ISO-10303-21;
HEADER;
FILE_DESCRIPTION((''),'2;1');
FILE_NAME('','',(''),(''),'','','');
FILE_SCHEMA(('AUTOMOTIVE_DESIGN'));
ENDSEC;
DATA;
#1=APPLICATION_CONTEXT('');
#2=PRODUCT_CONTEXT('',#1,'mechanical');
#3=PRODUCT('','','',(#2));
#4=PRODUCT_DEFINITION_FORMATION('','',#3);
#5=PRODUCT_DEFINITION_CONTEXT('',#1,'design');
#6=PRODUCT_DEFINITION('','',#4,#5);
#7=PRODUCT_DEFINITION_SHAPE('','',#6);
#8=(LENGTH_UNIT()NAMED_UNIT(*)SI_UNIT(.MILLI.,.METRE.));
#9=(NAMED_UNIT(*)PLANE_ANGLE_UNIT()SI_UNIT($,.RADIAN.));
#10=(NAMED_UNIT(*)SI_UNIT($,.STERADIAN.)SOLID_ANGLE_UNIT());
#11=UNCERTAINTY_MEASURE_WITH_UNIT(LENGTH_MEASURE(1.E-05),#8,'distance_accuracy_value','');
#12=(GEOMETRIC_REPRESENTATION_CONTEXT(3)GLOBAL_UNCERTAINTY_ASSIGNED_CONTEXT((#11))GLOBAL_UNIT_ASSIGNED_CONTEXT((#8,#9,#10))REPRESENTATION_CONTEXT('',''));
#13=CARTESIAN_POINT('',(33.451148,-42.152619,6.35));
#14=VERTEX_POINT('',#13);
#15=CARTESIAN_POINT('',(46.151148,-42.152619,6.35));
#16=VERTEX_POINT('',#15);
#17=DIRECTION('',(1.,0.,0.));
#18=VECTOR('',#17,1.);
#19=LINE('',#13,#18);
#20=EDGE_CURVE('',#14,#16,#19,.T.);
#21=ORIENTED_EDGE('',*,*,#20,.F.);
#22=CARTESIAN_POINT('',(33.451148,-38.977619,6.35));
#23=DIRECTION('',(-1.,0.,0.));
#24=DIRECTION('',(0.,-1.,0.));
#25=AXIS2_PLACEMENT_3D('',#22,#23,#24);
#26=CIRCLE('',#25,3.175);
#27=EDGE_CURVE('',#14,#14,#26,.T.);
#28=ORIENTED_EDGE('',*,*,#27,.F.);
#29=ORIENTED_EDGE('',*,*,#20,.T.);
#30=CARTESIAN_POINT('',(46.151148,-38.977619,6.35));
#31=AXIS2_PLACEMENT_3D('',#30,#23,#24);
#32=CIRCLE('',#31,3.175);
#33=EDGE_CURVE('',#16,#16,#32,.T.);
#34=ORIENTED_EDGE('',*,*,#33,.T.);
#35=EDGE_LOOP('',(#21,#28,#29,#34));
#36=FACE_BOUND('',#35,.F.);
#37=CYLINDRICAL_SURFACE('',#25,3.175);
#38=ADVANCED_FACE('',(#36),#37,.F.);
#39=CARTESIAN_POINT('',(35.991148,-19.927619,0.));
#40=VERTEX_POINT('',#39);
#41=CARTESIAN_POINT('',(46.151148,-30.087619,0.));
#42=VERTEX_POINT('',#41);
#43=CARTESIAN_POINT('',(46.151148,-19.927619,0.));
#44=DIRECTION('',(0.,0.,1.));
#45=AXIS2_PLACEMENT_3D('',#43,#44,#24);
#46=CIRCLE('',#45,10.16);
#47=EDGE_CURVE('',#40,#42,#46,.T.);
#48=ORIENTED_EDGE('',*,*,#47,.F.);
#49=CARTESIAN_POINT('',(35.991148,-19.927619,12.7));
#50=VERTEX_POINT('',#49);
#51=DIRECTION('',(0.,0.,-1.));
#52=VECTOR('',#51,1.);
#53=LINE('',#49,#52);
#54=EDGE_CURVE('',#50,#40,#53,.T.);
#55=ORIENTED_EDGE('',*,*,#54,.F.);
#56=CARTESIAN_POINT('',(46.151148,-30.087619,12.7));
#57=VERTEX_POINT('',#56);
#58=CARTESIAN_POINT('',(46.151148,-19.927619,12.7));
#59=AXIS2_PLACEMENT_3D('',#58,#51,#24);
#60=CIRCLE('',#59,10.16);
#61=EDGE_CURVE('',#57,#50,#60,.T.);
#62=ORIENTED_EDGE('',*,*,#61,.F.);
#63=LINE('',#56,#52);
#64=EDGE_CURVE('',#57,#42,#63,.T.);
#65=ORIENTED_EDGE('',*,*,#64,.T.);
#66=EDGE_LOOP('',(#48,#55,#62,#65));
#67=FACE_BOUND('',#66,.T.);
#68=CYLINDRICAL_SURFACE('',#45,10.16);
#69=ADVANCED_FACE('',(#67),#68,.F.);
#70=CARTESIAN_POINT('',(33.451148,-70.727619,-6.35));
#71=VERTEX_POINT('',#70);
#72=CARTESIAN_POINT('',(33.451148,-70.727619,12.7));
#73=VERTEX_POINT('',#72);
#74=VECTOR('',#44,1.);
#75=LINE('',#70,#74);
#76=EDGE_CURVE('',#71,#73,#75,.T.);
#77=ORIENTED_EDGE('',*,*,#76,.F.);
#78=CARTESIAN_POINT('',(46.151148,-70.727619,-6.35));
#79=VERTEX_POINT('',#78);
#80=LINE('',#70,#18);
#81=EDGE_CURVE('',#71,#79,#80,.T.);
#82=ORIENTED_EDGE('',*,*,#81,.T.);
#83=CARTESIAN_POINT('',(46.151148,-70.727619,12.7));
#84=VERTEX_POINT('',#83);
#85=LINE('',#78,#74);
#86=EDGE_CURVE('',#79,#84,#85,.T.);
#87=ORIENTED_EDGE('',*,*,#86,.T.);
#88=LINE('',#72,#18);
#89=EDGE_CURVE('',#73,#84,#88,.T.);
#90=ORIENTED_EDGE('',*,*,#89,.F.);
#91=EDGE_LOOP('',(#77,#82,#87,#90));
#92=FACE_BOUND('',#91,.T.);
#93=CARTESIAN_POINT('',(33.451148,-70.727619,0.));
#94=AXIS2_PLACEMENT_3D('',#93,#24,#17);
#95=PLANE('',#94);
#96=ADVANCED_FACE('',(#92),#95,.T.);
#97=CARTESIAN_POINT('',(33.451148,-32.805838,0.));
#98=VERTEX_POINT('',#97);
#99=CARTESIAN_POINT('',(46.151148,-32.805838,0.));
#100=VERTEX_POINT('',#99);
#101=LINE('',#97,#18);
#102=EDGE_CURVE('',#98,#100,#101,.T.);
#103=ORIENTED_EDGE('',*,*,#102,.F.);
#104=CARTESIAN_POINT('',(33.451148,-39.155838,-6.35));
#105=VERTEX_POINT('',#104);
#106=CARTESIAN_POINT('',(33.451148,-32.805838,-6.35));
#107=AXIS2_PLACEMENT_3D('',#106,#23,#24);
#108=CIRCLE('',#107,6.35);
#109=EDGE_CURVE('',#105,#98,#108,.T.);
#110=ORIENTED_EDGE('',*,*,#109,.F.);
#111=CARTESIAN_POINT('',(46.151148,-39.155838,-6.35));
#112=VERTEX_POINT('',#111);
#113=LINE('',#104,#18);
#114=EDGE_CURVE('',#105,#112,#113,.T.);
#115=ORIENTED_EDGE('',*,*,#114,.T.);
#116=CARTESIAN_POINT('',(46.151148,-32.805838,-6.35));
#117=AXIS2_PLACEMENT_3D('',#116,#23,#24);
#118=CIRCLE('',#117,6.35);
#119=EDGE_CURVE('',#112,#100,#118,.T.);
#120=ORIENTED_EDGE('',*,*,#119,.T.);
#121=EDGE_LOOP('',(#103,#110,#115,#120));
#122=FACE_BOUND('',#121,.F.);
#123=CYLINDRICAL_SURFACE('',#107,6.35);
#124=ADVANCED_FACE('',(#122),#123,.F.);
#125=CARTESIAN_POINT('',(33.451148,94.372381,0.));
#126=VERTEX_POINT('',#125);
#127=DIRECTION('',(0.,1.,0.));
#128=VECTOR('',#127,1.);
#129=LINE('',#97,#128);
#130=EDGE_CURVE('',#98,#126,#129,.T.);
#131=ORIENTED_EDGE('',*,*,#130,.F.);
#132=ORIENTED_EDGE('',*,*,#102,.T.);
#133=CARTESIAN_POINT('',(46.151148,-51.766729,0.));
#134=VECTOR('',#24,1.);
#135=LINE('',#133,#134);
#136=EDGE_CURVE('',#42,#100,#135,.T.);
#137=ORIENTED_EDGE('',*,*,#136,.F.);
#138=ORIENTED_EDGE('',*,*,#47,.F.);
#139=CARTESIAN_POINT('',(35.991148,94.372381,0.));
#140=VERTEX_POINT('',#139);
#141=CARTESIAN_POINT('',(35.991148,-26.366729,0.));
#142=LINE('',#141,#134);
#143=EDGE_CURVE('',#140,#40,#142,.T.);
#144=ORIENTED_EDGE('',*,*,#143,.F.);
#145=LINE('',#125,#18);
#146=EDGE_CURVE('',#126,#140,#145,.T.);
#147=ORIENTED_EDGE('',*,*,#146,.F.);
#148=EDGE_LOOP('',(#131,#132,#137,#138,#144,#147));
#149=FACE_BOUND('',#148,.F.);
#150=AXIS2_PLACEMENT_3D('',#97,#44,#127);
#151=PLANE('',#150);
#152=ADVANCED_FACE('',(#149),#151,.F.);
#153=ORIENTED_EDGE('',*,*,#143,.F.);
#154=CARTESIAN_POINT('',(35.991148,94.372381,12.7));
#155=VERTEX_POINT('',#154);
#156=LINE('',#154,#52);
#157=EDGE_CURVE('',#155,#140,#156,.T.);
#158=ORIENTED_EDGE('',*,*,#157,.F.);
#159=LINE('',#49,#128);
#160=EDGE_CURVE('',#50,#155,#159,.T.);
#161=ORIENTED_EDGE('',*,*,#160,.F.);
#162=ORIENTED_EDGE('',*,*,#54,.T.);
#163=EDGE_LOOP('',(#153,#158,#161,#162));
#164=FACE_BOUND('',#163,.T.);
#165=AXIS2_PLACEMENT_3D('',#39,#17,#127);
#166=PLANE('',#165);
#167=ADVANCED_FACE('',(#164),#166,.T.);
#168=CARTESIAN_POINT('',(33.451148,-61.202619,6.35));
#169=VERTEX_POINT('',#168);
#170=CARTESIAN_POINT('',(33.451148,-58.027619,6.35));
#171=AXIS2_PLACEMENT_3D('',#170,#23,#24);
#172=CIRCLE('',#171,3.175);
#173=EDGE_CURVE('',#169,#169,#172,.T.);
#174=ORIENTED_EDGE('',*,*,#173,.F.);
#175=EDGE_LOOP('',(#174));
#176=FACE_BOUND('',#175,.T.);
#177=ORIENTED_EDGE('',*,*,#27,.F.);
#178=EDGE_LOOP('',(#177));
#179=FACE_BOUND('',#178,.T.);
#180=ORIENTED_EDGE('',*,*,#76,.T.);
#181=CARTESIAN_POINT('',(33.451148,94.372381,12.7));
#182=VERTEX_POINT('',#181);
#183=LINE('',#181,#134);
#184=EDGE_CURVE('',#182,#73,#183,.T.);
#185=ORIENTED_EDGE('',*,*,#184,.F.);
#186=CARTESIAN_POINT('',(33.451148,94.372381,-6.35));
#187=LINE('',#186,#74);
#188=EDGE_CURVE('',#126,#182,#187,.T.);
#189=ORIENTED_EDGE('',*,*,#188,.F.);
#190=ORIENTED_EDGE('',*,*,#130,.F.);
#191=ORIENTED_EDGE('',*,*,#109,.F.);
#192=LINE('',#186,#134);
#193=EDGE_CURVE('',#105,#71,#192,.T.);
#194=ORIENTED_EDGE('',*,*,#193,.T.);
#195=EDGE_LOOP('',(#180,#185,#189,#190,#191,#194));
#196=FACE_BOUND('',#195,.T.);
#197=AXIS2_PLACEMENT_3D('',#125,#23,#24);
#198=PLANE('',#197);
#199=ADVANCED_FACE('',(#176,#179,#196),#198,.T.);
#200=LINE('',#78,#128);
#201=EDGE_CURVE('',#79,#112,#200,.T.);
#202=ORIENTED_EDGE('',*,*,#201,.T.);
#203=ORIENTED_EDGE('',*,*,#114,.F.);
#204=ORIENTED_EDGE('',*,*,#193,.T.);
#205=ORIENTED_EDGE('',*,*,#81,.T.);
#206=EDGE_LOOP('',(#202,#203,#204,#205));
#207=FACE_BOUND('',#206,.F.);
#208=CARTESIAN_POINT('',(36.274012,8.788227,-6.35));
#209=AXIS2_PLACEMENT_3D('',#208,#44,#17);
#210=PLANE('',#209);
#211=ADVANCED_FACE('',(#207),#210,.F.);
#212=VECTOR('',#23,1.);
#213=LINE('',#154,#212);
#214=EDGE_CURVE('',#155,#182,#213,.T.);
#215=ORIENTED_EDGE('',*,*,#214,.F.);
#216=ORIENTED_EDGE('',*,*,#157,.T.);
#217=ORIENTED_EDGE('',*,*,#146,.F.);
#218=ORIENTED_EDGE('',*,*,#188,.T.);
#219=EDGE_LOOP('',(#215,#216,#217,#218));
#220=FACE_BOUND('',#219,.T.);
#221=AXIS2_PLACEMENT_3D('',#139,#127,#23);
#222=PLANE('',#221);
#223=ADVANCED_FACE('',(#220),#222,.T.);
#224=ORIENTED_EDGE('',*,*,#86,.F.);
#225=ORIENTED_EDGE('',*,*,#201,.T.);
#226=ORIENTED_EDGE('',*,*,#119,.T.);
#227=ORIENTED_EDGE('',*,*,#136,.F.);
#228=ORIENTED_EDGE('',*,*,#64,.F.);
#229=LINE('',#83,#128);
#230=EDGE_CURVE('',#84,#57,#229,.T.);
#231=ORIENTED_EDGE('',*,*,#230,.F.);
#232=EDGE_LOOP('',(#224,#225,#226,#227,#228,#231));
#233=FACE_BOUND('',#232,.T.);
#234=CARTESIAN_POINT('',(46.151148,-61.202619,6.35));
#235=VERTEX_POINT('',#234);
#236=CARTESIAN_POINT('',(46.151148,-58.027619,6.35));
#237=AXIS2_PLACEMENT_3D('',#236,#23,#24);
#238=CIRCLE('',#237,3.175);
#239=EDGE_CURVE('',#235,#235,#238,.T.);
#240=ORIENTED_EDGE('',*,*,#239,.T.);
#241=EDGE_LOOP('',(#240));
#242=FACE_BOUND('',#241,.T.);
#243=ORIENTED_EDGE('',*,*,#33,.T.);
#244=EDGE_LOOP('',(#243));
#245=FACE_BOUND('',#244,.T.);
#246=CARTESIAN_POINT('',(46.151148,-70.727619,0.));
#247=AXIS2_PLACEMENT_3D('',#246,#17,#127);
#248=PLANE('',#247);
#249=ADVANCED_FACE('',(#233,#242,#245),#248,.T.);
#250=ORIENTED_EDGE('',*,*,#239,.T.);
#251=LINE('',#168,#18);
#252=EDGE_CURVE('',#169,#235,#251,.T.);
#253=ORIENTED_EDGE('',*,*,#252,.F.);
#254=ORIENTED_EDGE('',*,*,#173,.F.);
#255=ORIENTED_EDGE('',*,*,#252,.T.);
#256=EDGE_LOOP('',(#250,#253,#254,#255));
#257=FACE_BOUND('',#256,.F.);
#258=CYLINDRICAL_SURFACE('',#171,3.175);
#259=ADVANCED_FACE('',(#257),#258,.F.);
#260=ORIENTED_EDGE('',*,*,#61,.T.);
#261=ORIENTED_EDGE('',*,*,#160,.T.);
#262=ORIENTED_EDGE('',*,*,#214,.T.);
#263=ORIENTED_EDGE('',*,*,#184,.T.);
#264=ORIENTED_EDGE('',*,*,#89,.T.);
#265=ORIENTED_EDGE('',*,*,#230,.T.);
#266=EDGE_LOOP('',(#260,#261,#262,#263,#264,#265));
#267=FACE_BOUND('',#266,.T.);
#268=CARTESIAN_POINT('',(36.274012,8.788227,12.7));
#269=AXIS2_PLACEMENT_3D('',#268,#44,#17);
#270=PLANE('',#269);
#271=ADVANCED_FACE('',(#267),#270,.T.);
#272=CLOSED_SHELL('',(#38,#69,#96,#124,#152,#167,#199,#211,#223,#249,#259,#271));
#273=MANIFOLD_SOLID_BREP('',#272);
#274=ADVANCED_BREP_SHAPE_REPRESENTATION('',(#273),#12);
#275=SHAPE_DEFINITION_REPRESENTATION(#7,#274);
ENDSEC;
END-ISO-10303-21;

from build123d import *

# Parameters (mm, degrees)
F1_DEPTH = 12.7
F2_R     = 3.175
F3_DEPTH = 25.4
F4_DEPTH = 6.35
F6_DEPTH = 25.4


with BuildPart() as f1:
    # F0 (on Top) → F1 (new body)
    with BuildSketch(Plane.XY):
        with BuildLine():
            Line((35.9911476828, 94.3723806679), (33.4511476828, 94.3723806679))
            Line((33.4511476828, 94.3723806679), (33.4511476828, -70.7276193321))
            Line((33.4511476828, -70.7276193321), (46.1511476828, -70.7276193321))
            Line((46.1511476828, -70.7276193321), (46.1511476828, -30.0876193321))
            ThreePointArc((46.1511476828, -30.0876193321), (38.9669427859, -27.1118242289), (35.9911476828, -19.9276193321))
            Line((35.9911476828, -19.9276193321), (35.9911476828, 94.3723806679))
        make_face()
    extrude(amount=F1_DEPTH)

    # F2 (on face) → F3 (cut)
    with BuildSketch(Plane(origin=(33.4511476828, 0, 0), x_dir=(0, -1, 0), z_dir=(-1, 0, 0))):
        with Locations((58.0276193321, 6.35)):
            Circle(F2_R)
        with Locations((38.9776193321, 6.35)):
            Circle(F2_R)
    extrude(amount=-F3_DEPTH, mode=Mode.SUBTRACT)

    # F4 (add): a face of the model
    f4_faces = [f1.faces().sort_by_distance(p)[0] for p in [
        (34.3352702719, 37.2223806679, 0),
    ]]
    extrude(f4_faces, amount=F4_DEPTH)

    # F5 (on face) → F6 (cut)
    with BuildSketch(Plane(origin=(33.4511476828, 0, 0), x_dir=(0, -1, 0), z_dir=(-1, 0, 0))):
        with BuildLine():
            Line((32.8058376908, 0), (-94.3723806679, 0))
            Line((-94.3723806679, 0), (-94.3723806679, -6.35))
            Line((-94.3723806679, -6.35), (39.1558376908, -6.35))
            ThreePointArc((39.1558376908, -6.35), (37.2959657514, -1.8598719395), (32.8058376908, 0))
        make_face()
    extrude(amount=-F6_DEPTH, mode=Mode.SUBTRACT)


solid = f1.part
